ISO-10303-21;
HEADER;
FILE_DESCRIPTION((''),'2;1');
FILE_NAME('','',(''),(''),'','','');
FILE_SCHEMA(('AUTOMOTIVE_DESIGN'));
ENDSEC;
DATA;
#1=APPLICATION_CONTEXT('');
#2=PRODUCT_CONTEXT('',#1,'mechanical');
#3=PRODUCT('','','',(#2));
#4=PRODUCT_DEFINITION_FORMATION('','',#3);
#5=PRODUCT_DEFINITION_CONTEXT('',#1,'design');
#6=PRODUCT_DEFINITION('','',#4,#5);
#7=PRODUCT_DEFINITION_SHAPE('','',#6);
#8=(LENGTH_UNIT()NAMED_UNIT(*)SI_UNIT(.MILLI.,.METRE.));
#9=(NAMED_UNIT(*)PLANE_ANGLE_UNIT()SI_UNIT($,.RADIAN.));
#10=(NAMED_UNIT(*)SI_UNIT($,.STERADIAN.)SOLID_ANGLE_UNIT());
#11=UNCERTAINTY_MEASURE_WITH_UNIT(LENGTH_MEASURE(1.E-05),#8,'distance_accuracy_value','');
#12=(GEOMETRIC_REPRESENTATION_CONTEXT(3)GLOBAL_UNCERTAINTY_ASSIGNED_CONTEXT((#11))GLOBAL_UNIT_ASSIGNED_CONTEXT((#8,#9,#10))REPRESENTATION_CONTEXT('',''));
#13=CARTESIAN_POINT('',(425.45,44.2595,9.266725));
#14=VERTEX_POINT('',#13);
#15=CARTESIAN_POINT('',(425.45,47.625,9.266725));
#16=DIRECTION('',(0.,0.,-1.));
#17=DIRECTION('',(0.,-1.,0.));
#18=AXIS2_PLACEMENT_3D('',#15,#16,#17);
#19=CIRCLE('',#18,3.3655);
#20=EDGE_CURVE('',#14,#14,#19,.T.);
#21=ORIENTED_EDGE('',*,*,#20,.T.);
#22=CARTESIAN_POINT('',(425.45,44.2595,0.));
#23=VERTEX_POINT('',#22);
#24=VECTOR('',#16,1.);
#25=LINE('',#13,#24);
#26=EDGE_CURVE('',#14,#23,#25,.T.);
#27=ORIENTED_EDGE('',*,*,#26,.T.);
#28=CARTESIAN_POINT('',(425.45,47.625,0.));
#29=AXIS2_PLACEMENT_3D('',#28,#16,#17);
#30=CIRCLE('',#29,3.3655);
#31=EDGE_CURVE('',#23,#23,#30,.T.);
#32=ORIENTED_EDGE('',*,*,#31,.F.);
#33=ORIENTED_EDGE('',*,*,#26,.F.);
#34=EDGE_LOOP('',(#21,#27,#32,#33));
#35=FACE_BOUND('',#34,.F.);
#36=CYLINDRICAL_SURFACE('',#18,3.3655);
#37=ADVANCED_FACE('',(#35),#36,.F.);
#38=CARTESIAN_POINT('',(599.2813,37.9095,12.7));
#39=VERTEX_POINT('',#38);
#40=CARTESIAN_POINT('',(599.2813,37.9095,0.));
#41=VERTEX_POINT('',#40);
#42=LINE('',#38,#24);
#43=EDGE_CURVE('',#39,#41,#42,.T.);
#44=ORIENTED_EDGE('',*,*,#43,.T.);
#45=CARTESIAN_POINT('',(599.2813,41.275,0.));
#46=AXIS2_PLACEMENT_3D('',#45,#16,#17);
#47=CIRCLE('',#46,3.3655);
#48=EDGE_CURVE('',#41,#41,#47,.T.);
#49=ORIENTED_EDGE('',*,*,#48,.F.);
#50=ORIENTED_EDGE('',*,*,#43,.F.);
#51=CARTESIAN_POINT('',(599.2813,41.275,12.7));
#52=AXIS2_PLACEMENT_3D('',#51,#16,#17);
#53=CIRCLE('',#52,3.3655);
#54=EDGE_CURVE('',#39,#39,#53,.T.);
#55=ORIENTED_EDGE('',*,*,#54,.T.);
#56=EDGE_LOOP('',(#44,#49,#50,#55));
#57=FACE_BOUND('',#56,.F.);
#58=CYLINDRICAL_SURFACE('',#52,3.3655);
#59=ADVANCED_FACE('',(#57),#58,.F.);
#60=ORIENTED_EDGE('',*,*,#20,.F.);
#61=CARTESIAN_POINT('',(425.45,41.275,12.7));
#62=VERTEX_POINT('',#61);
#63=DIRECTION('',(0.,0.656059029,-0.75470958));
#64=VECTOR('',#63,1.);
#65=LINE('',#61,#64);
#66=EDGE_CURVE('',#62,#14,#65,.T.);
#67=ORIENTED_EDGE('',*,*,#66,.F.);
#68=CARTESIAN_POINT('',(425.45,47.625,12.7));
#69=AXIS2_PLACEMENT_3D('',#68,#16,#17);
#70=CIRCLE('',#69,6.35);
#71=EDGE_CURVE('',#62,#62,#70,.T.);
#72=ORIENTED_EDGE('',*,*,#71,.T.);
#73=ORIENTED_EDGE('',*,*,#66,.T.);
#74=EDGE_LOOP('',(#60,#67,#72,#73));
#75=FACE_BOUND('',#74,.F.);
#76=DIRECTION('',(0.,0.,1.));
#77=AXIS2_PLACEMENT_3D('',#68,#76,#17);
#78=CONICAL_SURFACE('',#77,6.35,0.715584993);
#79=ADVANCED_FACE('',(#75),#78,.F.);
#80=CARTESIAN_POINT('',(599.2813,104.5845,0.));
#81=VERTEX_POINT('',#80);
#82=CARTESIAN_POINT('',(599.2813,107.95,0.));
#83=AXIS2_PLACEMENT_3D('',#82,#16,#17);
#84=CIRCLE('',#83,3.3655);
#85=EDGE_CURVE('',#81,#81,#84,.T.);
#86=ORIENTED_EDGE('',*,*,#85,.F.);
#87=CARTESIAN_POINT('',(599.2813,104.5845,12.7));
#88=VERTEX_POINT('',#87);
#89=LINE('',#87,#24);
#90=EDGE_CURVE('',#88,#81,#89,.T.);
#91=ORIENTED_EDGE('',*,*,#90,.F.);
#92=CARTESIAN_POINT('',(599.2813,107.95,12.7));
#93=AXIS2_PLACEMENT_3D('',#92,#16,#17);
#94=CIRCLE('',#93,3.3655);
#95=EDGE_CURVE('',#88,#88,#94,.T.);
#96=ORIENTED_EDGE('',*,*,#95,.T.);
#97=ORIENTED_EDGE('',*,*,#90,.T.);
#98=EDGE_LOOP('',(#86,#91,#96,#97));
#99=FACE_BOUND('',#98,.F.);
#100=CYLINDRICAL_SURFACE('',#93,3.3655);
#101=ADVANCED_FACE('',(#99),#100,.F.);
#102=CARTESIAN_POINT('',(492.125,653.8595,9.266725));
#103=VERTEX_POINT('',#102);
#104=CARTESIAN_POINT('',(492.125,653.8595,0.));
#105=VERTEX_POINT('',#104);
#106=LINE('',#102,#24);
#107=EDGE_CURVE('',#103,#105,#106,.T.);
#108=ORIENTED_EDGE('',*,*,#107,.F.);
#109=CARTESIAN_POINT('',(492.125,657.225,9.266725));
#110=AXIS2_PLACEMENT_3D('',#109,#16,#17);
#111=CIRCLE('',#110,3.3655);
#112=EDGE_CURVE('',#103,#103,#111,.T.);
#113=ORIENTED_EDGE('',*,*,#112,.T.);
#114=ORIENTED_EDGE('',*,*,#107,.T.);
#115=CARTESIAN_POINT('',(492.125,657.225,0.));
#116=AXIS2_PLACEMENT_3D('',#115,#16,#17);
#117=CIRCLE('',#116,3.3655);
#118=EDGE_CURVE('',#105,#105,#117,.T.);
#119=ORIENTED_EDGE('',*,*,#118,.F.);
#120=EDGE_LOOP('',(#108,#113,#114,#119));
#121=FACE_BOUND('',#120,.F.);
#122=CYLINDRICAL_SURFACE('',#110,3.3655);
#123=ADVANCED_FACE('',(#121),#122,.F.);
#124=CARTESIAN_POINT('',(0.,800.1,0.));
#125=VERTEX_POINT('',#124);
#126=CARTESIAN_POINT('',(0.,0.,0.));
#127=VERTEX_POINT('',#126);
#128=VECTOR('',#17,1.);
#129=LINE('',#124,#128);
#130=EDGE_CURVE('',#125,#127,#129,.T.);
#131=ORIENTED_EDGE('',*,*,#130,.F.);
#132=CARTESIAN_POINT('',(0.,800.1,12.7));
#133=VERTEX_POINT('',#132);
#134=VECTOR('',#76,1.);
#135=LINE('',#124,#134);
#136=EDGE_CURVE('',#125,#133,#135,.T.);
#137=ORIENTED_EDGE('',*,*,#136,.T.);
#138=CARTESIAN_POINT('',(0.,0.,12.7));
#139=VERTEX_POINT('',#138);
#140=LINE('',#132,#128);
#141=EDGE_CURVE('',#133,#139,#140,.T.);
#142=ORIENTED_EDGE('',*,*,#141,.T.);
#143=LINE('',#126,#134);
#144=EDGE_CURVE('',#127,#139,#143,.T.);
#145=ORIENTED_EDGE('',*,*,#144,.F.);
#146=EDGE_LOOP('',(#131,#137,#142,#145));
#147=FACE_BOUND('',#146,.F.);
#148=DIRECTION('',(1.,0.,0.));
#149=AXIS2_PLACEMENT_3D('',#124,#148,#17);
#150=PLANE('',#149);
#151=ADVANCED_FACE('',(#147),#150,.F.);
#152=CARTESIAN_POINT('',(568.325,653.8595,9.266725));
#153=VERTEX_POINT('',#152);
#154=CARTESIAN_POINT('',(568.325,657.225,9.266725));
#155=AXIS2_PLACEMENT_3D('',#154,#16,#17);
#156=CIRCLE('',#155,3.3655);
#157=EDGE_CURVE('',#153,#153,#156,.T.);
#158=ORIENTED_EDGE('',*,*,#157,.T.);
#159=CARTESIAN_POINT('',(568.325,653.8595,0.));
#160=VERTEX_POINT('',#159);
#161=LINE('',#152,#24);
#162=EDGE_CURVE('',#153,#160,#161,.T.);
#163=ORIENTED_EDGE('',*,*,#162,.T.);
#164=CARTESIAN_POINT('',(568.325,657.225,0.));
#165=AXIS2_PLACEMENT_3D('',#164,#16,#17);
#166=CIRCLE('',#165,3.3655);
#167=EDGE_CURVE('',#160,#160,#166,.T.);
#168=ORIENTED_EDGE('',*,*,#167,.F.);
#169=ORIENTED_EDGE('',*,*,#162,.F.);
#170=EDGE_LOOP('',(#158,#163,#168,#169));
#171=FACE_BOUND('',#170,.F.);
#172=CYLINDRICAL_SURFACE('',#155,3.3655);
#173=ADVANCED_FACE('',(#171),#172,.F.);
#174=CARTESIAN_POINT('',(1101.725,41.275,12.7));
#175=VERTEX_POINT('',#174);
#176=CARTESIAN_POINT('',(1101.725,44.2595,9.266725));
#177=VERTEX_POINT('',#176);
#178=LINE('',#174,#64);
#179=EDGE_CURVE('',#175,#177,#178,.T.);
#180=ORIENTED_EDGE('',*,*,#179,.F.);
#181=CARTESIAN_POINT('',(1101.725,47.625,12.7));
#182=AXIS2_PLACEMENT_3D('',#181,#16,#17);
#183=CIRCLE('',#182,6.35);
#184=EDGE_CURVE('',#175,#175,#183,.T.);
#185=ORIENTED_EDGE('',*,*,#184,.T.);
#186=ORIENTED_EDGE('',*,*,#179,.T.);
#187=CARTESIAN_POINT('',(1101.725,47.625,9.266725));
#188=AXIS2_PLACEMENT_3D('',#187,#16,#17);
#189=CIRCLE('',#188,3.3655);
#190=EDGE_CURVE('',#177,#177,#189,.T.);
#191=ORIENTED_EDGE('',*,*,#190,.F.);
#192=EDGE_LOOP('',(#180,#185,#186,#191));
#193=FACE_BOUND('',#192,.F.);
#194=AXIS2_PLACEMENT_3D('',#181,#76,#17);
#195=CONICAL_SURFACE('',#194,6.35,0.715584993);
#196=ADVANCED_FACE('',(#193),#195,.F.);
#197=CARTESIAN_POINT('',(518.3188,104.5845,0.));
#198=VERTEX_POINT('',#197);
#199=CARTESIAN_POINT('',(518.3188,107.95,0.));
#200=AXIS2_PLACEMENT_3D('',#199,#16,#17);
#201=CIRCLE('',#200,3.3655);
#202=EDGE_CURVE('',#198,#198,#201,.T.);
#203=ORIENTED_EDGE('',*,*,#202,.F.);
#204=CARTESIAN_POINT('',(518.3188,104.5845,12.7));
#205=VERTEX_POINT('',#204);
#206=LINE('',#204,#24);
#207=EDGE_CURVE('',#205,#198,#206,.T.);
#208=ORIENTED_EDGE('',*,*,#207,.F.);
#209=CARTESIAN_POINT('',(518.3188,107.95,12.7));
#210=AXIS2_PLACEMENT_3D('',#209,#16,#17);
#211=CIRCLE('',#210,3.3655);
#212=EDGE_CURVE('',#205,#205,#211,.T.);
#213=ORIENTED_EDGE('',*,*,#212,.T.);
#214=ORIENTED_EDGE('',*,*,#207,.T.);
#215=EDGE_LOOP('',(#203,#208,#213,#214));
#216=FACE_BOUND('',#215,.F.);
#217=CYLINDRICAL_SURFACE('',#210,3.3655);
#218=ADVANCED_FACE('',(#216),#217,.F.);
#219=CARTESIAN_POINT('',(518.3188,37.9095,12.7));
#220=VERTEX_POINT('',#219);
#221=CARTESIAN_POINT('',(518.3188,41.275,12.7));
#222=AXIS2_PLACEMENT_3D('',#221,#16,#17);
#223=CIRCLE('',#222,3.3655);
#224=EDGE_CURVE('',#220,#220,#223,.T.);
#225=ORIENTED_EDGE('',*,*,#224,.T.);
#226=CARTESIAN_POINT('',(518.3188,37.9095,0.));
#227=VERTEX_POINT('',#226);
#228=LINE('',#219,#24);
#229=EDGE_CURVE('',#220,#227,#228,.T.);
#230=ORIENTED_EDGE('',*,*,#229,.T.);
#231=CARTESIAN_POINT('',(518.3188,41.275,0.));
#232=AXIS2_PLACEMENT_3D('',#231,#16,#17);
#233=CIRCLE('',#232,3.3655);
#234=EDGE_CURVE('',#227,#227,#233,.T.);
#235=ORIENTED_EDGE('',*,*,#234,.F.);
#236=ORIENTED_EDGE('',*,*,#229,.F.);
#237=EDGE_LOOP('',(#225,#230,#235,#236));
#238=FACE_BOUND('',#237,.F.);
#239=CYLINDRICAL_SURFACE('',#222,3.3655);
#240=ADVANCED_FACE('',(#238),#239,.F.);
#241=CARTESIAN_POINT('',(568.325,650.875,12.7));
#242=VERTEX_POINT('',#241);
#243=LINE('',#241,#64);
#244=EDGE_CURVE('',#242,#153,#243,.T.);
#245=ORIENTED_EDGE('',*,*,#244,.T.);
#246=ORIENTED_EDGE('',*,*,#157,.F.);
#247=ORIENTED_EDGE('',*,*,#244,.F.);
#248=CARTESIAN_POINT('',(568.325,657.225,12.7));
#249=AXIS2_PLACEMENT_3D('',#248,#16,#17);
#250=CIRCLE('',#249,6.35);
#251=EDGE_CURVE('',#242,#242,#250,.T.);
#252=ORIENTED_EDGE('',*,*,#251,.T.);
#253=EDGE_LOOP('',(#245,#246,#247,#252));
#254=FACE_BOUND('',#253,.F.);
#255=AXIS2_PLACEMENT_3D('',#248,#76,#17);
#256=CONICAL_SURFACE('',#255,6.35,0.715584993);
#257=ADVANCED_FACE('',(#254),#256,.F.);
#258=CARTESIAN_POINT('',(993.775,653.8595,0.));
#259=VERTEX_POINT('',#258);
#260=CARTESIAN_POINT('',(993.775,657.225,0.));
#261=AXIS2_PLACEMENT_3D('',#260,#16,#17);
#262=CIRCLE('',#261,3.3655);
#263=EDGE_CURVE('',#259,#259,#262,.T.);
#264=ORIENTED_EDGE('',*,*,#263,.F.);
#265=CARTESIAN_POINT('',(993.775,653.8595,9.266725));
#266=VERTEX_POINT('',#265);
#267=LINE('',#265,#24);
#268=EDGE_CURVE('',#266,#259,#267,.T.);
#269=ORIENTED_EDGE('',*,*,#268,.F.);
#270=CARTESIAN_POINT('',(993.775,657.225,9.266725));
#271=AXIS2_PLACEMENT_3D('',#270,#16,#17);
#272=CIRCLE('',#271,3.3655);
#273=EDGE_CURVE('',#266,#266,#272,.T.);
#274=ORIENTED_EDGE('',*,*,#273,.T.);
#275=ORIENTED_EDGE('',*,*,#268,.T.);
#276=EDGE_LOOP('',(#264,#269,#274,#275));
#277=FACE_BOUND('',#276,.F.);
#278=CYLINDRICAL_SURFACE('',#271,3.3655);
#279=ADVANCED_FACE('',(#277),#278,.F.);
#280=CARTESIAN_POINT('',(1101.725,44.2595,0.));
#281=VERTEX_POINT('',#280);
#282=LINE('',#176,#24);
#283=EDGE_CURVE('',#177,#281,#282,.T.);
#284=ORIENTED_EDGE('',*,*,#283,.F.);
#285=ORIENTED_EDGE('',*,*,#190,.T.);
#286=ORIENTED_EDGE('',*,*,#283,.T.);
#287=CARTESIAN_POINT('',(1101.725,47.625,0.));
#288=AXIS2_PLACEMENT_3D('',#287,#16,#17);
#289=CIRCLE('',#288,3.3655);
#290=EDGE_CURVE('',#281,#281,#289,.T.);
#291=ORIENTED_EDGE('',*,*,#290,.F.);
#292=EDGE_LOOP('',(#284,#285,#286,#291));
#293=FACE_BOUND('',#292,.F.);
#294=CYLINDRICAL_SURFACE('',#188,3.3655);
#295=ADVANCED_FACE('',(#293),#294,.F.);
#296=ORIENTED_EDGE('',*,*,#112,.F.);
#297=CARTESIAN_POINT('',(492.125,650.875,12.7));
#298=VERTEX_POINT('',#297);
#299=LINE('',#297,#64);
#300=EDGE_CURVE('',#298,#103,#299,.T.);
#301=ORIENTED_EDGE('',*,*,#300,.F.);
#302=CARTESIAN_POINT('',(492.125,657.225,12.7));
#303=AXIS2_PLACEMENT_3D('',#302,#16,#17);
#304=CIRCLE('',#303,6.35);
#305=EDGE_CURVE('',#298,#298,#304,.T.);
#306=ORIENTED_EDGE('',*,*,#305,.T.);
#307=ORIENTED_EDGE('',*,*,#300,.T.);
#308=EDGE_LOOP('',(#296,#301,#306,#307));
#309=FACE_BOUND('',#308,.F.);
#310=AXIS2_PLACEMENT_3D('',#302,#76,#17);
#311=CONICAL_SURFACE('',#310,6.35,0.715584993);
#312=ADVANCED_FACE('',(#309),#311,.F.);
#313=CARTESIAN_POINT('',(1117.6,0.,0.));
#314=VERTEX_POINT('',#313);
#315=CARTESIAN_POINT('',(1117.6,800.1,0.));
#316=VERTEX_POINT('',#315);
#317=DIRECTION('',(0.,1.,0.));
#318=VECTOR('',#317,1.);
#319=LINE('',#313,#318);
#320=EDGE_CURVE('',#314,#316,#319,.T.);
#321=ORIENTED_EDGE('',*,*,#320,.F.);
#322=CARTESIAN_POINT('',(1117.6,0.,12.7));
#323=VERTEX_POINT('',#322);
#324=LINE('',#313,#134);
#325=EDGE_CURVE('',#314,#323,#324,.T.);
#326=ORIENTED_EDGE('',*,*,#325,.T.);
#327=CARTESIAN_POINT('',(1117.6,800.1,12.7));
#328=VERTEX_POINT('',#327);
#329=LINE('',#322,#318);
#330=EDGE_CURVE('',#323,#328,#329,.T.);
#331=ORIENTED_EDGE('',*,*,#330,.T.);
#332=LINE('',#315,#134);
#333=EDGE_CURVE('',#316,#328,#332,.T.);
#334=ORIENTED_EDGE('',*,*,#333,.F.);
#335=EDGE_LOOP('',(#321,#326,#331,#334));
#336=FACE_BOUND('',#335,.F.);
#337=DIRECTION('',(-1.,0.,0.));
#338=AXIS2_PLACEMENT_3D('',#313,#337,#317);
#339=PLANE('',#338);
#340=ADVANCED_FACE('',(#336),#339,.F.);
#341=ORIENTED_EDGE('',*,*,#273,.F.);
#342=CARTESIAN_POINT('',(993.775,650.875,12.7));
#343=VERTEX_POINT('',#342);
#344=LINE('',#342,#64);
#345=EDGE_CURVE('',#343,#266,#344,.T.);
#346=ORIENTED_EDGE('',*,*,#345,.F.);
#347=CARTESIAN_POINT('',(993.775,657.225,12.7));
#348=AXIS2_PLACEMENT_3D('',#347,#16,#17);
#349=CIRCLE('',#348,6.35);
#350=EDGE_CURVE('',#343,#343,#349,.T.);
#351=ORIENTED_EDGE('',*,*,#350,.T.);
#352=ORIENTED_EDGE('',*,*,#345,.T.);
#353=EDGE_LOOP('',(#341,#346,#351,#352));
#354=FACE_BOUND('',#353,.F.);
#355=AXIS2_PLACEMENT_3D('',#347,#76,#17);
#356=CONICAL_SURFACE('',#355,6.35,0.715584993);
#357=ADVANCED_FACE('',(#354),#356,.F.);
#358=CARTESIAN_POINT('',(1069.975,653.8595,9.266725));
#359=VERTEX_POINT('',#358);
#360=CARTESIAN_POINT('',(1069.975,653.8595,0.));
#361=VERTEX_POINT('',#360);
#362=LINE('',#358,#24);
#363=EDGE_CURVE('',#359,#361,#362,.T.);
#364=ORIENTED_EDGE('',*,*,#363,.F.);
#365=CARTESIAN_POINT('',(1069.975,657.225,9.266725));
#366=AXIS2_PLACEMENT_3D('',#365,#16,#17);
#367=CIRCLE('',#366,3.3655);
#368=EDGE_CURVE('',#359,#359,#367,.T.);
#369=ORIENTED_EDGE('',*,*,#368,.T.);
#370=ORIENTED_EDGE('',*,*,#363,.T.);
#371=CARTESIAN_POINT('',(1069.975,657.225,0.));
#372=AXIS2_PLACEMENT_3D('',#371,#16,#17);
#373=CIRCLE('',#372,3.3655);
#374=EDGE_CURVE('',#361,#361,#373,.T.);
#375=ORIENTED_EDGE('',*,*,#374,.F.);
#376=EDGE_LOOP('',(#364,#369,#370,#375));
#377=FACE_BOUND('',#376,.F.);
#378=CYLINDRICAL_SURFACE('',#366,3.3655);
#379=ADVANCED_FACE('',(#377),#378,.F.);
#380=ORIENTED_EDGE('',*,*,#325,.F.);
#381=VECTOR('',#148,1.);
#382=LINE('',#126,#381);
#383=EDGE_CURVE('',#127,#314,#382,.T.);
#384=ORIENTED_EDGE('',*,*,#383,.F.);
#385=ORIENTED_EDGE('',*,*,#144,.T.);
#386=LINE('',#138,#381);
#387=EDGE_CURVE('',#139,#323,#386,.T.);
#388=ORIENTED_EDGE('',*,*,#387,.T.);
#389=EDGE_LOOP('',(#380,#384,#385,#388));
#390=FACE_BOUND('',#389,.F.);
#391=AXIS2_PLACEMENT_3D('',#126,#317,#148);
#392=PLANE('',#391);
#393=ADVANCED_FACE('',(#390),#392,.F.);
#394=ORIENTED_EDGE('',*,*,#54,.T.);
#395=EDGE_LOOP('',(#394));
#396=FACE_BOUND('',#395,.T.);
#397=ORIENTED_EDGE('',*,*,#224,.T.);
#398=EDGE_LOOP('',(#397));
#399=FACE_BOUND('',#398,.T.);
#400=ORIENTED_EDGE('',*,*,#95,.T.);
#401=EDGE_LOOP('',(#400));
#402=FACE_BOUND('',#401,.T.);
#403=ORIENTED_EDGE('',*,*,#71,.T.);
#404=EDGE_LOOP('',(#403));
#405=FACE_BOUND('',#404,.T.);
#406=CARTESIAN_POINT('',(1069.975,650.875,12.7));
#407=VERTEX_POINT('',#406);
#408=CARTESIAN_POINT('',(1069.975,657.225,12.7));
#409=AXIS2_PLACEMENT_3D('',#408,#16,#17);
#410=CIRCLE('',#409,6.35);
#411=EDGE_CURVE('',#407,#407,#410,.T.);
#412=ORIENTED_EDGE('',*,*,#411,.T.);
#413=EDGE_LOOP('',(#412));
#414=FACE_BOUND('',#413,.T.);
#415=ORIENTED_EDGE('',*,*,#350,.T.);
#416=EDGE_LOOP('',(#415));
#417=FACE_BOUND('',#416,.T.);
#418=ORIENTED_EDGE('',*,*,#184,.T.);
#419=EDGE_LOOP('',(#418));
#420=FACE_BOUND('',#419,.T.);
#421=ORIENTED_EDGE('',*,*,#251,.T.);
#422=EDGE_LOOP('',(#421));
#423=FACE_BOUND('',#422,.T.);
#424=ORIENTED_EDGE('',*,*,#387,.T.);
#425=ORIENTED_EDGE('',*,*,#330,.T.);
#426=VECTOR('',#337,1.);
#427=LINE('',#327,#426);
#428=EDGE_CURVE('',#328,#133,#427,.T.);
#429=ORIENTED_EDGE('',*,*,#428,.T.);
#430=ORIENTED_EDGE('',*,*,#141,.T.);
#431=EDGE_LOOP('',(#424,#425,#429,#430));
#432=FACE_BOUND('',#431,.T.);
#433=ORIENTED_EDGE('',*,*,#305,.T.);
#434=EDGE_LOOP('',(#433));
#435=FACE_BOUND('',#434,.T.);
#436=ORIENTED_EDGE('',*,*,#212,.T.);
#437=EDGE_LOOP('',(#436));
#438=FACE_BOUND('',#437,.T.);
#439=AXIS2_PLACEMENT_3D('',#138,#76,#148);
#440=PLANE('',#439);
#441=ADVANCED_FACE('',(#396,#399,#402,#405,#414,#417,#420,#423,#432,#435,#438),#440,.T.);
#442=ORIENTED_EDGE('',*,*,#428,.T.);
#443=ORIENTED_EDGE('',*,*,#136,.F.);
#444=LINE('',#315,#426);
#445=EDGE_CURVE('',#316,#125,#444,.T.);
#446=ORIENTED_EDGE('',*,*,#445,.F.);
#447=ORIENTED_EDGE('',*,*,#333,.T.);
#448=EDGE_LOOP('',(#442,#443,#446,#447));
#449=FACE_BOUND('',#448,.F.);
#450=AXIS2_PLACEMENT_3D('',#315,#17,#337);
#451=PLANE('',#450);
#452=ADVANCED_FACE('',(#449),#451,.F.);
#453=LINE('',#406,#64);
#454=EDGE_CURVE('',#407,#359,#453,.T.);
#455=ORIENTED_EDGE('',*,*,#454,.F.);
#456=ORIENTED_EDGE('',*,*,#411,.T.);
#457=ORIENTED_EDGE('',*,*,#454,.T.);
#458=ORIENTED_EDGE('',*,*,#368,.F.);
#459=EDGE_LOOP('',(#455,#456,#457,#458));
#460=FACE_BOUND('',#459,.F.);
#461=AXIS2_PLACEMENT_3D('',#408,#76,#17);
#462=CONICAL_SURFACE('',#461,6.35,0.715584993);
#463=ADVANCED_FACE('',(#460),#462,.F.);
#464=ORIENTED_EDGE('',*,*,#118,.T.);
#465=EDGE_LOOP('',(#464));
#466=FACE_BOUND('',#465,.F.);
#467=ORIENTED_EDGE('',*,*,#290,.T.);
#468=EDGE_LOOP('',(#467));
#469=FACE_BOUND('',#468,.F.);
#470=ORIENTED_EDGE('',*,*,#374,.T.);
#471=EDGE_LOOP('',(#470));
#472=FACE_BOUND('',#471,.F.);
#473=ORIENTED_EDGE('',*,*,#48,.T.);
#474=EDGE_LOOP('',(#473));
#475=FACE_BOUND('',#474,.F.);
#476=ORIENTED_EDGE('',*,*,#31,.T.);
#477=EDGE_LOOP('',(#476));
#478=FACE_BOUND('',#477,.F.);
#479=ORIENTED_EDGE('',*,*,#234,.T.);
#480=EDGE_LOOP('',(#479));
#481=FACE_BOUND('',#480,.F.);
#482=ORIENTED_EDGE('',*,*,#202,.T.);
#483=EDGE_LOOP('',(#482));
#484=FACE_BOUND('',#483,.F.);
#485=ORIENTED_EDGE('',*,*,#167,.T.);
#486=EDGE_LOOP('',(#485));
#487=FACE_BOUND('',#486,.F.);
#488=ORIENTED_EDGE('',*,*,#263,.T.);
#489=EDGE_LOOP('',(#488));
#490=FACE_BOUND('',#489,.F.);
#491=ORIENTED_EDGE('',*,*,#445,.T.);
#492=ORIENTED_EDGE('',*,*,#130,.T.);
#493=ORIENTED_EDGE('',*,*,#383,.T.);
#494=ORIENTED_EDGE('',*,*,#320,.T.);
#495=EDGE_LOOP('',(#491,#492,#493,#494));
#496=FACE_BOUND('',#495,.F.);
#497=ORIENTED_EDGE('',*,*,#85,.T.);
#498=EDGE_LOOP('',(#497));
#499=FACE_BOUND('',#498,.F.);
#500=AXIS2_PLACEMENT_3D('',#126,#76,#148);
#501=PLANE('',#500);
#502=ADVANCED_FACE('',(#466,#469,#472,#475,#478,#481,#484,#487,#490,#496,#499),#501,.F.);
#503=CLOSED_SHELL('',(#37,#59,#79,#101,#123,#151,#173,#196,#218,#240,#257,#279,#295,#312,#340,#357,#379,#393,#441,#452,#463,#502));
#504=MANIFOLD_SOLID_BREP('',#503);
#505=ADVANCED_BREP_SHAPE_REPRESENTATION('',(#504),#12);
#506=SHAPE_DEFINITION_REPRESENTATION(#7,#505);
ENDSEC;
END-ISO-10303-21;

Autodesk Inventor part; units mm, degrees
ref_plane "YZ Plane" through (0, 0, 0) normal (1, 0, 0) x (0, 1, 0)
ref_plane "XZ Plane" through (0, 0, 0) normal (0, 1, 0) x (-1, 0, 0)
ref_plane "XY Plane" through (0, 0, 0) normal (0, 0, 1) x (1, 0, 0)
sketch "Sketch1" plane through (0, 0, 0) normal (0, 0, 1) x (1, 0, 0)
  line L0 (0, 0) -> (1117.6, 0)
  line L1 (1117.6, 0) -> (1117.6, 800.1)
  line L2 (1117.6, 800.1) -> (0, 800.1)
  line L3 (0, 800.1) -> (0, 0)
  dimension "d0" = 1117.6
  dimension "d1" = 800.1
extrude "Extrusion1" add sketch "Sketch1" along normal blind 12.7
hole "Hole1" at (518.3188, 41.275, 12.7) direction (0, 0, -1) diameter 6.731 end through all
pattern_linear "Rectangular Pattern1" count 2 spacing 66.675 along (0, 1, 0) count 2 spacing 80.9625 along (1, 0, 0) of "Hole1"
hole "Hole2" at (492.125, 657.225, 12.7) direction (0, 0, -1) diameter 6.731 depth 25.4 tip angle 118 countersink diameter 12.7 countersink angle 82
pattern_linear "Rectangular Pattern2" count 2 spacing 76.2 along (1, 0, 0) of "Hole2"
hole "Hole3" at (1069.975, 657.225, 12.7) direction (0, 0, -1) diameter 6.731 depth 25.4 tip angle 118 countersink diameter 12.7 countersink angle 82
pattern_linear "Rectangular Pattern3" count 2 spacing 76.2 along (-1, 0, 0) of "Hole3"
hole "Hole4" at (425.45, 47.625, 12.7) direction (0, 0, -1) diameter 6.731 depth 25.4 tip angle 118 countersink diameter 12.7 countersink angle 82
hole "Hole5" at (1101.725, 47.625, 12.7) direction (0, 0, -1) diameter 6.731 depth 25.4 tip angle 118 countersink diameter 12.7 countersink angle 82
properties part number "GE-12075"
